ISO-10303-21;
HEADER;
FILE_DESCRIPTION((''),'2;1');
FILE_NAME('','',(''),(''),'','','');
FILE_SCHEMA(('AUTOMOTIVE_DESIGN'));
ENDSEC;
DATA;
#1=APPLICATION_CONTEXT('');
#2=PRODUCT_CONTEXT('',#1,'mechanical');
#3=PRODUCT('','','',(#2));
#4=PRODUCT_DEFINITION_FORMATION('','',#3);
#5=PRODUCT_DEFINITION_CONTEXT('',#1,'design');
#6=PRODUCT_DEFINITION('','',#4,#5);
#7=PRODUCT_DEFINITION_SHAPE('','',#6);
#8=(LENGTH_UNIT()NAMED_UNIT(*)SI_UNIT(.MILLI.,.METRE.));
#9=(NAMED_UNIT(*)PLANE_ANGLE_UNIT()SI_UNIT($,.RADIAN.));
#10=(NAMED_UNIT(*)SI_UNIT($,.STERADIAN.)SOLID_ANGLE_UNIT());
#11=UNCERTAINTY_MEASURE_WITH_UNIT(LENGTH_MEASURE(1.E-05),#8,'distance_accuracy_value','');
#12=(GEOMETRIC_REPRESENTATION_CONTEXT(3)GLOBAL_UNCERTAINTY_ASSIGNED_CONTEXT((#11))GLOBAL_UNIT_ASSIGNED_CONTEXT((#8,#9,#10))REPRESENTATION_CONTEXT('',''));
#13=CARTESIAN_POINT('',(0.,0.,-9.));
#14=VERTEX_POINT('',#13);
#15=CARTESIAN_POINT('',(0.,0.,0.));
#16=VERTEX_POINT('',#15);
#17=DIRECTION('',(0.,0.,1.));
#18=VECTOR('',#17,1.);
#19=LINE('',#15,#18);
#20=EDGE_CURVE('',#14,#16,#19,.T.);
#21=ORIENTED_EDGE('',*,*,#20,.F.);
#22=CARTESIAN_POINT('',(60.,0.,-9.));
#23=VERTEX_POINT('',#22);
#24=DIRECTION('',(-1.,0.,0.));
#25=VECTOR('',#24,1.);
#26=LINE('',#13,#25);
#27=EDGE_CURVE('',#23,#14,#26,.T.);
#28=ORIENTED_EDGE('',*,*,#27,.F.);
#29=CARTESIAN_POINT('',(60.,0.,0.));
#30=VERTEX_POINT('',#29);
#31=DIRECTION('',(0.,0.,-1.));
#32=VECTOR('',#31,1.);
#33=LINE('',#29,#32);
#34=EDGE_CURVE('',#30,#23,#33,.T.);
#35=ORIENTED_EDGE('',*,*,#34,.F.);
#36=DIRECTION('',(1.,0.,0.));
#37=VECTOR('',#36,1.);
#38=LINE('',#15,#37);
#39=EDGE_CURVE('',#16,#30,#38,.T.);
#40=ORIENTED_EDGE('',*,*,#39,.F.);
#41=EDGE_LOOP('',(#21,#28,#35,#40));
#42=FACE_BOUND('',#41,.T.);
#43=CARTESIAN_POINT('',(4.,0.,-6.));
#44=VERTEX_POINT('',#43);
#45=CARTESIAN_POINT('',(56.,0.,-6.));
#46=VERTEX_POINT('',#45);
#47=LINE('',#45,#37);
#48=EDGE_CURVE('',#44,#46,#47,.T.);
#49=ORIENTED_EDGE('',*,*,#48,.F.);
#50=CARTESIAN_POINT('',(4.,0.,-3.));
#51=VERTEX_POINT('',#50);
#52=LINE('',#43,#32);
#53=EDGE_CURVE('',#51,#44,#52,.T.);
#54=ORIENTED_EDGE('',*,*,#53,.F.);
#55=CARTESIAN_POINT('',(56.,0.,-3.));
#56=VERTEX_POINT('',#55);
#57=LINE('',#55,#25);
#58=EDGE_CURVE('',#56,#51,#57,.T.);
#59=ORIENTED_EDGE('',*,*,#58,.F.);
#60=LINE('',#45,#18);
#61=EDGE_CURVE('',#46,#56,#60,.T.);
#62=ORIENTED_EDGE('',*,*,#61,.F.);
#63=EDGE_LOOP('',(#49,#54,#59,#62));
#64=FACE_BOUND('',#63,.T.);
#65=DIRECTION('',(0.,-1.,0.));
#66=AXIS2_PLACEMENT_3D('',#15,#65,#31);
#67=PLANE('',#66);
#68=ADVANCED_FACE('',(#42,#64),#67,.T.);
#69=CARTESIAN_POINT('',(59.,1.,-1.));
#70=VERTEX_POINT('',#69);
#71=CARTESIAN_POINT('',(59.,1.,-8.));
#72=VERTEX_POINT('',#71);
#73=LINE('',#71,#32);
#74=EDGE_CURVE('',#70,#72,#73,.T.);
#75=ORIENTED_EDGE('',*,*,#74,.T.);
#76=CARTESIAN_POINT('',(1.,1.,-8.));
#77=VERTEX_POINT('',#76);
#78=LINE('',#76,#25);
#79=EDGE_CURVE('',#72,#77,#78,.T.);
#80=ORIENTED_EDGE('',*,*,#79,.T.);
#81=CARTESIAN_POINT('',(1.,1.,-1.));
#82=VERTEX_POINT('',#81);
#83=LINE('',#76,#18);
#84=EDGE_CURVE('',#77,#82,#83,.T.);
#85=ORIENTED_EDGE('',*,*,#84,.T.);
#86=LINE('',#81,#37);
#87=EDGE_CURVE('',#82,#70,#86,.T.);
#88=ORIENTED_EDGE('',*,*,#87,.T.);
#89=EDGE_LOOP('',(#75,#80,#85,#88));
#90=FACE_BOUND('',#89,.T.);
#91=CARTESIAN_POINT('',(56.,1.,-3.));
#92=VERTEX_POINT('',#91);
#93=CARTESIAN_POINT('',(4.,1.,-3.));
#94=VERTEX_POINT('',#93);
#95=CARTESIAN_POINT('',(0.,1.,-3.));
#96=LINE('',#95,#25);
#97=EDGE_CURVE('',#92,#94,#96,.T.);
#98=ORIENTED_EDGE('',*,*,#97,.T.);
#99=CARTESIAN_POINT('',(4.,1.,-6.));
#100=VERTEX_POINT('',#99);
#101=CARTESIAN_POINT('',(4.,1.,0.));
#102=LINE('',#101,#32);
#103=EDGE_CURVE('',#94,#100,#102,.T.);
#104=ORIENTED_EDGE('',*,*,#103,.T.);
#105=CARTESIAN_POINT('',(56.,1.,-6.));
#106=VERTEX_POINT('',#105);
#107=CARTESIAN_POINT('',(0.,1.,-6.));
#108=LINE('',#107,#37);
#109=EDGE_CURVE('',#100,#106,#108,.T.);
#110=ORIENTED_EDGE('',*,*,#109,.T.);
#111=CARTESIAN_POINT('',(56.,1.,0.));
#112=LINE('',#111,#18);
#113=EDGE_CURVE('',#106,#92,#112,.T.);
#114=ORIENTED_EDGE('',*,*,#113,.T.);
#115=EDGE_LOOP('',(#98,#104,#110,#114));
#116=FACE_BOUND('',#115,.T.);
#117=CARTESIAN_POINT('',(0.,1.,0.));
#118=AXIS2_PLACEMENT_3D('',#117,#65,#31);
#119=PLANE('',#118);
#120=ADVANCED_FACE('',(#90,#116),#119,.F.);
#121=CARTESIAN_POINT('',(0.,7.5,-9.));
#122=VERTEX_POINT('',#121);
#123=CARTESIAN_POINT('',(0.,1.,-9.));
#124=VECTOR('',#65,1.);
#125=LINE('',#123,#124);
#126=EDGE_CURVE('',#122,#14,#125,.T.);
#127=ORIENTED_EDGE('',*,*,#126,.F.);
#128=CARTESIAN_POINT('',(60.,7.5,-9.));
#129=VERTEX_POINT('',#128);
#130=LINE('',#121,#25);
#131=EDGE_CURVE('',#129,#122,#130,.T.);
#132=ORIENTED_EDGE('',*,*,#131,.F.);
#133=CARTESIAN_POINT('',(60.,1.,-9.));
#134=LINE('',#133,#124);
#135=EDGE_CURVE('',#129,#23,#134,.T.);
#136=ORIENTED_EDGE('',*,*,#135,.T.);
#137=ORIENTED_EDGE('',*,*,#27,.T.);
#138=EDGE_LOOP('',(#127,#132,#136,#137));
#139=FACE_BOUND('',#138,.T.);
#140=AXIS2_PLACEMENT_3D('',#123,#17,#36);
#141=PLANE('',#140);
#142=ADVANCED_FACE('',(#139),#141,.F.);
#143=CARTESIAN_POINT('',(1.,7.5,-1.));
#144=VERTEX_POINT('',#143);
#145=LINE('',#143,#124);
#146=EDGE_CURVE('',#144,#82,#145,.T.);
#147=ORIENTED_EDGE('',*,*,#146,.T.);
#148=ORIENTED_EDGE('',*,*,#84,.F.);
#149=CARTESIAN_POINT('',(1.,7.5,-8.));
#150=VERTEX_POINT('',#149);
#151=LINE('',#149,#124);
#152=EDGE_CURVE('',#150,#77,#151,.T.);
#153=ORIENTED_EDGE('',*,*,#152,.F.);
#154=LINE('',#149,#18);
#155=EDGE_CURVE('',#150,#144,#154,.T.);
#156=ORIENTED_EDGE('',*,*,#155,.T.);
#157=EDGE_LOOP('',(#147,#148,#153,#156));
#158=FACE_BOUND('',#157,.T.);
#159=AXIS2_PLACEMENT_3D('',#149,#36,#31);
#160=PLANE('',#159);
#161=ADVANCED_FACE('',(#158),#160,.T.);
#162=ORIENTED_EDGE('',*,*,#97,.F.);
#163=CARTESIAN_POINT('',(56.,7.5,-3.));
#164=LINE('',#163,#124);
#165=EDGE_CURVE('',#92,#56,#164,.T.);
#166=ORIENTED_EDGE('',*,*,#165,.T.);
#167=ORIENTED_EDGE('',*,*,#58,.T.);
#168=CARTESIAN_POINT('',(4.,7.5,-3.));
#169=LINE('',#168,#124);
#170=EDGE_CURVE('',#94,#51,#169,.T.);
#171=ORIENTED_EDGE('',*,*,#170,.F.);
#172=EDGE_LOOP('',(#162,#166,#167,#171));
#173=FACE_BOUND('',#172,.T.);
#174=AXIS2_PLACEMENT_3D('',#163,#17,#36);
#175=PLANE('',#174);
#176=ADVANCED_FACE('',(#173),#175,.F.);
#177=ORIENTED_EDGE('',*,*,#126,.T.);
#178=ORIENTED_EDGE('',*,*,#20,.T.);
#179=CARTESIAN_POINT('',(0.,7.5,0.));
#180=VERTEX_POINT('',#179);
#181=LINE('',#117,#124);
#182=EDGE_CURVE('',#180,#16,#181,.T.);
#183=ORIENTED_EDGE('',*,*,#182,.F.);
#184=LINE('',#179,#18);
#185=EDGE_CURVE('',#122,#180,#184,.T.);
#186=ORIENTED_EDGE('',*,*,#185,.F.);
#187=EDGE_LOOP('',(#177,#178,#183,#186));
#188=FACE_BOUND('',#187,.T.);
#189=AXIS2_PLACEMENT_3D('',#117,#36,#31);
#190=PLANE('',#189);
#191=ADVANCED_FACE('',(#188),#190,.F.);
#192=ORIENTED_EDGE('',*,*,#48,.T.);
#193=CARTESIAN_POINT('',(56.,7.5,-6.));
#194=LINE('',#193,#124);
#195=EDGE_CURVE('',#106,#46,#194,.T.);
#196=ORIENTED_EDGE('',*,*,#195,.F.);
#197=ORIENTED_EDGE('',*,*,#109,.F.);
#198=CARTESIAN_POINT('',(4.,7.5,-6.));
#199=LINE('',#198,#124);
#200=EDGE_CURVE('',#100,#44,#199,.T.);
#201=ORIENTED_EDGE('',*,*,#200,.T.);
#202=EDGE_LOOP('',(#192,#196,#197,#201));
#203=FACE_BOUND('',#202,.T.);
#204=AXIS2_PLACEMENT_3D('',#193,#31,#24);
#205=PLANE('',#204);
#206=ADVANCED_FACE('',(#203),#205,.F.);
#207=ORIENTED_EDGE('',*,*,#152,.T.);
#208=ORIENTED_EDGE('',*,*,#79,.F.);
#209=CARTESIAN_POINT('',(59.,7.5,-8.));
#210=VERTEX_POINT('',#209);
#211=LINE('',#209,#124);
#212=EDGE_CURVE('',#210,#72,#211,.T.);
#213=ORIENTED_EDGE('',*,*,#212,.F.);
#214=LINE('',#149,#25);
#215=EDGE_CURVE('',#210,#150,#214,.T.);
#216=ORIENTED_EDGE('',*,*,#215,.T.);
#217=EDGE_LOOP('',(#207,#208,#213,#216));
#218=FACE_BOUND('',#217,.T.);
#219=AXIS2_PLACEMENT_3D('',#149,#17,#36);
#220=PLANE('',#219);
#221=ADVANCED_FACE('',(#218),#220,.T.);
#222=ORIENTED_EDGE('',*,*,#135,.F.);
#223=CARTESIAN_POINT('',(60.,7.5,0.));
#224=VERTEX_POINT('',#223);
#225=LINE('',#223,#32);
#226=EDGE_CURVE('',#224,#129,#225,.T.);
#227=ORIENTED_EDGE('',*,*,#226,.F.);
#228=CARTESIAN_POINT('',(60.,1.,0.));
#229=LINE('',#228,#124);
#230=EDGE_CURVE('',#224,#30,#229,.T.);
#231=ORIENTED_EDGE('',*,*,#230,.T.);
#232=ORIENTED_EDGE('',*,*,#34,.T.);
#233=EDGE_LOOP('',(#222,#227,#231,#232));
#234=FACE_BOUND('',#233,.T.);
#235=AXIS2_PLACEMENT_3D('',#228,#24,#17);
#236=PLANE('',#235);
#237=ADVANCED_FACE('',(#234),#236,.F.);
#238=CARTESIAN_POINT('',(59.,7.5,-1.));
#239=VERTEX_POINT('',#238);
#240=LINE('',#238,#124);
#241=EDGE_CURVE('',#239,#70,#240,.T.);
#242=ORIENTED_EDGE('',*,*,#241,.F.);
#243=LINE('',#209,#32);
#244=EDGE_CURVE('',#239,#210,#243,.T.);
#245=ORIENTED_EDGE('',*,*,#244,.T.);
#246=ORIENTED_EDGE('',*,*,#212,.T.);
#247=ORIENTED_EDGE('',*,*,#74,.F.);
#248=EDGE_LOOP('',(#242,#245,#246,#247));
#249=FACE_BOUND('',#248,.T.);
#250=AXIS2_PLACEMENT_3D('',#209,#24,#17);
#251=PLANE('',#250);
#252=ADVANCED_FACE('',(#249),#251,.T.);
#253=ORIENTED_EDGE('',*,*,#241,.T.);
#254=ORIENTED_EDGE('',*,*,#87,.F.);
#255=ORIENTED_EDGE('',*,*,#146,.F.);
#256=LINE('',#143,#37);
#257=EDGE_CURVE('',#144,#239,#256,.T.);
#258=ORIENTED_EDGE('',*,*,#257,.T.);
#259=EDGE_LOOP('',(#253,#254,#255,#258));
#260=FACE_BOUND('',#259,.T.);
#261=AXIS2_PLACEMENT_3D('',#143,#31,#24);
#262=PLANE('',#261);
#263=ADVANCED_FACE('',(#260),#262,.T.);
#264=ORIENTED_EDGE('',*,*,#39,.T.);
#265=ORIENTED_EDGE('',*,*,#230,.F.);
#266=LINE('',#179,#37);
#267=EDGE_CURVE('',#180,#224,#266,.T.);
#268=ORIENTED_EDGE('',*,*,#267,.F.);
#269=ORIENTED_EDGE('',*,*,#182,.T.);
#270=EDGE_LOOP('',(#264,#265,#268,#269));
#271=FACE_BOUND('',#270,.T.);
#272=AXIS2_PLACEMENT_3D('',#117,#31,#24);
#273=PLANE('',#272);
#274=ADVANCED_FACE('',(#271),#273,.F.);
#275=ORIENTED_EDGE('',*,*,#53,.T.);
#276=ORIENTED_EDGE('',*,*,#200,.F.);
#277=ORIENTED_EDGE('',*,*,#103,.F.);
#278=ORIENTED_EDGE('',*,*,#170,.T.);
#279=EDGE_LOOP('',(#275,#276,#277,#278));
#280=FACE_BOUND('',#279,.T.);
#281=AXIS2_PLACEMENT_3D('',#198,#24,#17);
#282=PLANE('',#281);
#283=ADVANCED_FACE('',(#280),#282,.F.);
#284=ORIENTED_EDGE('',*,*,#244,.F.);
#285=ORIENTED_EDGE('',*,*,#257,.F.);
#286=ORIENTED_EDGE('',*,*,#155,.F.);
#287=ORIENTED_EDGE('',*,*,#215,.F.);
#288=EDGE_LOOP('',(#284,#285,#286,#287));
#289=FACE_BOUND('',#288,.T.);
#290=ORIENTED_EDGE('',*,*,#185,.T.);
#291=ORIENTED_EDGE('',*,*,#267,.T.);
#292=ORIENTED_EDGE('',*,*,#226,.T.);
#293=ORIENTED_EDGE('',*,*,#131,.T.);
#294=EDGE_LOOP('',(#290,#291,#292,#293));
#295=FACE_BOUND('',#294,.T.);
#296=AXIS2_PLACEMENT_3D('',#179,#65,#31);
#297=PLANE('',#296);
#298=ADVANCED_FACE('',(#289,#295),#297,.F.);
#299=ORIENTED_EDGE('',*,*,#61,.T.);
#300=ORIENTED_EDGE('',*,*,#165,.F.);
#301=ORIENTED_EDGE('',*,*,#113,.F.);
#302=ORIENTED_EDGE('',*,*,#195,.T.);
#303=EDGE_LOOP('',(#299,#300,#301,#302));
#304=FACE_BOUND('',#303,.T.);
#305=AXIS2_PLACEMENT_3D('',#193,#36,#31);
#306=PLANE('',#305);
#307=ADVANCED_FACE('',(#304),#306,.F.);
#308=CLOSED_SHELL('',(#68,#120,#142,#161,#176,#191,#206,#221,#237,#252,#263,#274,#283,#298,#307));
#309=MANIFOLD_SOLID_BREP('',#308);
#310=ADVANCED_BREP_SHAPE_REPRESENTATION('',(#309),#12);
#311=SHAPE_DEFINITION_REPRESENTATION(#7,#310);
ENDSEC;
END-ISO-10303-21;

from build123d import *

# Parameters (mm, degrees)
ESQUISSE1_W             = 60
ESQUISSE1_H             = 9
BOSS_EXTRU_1_DEPTH      = 1
ESQUISSE2_W             = 60
ESQUISSE2_H             = 9
ESQUISSE2_W_2           = 58
ESQUISSE2_H_2           = 7
BOSS_EXTRU_2_DEPTH      = 6.5
ESQUISSE3_W             = 52
ESQUISSE3_H             = 3
ENL_V_MAT_EXTRU_1_DEPTH = 8.5


with BuildPart() as part:
    # Esquisse1 → Boss.-Extru.1 (new body)
    with BuildSketch(Plane(origin=(0, 0, 0), x_dir=(1, 0, 0), z_dir=(0, 1, 0))):
        with Locations((30, 4.5)):
            Rectangle(ESQUISSE1_W, ESQUISSE1_H)
    extrude(amount=BOSS_EXTRU_1_DEPTH)

    # Esquisse2 → Boss.-Extru.2 (add)
    with BuildSketch(Plane(origin=(0, 1, 0), x_dir=(1, 0, 0), z_dir=(0, 1, 0))):
        with Locations((30, 4.5)):
            Rectangle(ESQUISSE2_W, ESQUISSE2_H)
        with Locations((30, 4.5)):
            Rectangle(ESQUISSE2_W_2, ESQUISSE2_H_2, mode=Mode.SUBTRACT)
    extrude(amount=BOSS_EXTRU_2_DEPTH)

    # Esquisse3 → Enlèv. mat.-Extru.1 (cut, through all)
    with BuildSketch(Plane.XZ):
        with Locations((30, -4.5)):
            Rectangle(ESQUISSE3_W, ESQUISSE3_H)
    extrude(amount=-ENL_V_MAT_EXTRU_1_DEPTH, mode=Mode.SUBTRACT)


solid = part.part
